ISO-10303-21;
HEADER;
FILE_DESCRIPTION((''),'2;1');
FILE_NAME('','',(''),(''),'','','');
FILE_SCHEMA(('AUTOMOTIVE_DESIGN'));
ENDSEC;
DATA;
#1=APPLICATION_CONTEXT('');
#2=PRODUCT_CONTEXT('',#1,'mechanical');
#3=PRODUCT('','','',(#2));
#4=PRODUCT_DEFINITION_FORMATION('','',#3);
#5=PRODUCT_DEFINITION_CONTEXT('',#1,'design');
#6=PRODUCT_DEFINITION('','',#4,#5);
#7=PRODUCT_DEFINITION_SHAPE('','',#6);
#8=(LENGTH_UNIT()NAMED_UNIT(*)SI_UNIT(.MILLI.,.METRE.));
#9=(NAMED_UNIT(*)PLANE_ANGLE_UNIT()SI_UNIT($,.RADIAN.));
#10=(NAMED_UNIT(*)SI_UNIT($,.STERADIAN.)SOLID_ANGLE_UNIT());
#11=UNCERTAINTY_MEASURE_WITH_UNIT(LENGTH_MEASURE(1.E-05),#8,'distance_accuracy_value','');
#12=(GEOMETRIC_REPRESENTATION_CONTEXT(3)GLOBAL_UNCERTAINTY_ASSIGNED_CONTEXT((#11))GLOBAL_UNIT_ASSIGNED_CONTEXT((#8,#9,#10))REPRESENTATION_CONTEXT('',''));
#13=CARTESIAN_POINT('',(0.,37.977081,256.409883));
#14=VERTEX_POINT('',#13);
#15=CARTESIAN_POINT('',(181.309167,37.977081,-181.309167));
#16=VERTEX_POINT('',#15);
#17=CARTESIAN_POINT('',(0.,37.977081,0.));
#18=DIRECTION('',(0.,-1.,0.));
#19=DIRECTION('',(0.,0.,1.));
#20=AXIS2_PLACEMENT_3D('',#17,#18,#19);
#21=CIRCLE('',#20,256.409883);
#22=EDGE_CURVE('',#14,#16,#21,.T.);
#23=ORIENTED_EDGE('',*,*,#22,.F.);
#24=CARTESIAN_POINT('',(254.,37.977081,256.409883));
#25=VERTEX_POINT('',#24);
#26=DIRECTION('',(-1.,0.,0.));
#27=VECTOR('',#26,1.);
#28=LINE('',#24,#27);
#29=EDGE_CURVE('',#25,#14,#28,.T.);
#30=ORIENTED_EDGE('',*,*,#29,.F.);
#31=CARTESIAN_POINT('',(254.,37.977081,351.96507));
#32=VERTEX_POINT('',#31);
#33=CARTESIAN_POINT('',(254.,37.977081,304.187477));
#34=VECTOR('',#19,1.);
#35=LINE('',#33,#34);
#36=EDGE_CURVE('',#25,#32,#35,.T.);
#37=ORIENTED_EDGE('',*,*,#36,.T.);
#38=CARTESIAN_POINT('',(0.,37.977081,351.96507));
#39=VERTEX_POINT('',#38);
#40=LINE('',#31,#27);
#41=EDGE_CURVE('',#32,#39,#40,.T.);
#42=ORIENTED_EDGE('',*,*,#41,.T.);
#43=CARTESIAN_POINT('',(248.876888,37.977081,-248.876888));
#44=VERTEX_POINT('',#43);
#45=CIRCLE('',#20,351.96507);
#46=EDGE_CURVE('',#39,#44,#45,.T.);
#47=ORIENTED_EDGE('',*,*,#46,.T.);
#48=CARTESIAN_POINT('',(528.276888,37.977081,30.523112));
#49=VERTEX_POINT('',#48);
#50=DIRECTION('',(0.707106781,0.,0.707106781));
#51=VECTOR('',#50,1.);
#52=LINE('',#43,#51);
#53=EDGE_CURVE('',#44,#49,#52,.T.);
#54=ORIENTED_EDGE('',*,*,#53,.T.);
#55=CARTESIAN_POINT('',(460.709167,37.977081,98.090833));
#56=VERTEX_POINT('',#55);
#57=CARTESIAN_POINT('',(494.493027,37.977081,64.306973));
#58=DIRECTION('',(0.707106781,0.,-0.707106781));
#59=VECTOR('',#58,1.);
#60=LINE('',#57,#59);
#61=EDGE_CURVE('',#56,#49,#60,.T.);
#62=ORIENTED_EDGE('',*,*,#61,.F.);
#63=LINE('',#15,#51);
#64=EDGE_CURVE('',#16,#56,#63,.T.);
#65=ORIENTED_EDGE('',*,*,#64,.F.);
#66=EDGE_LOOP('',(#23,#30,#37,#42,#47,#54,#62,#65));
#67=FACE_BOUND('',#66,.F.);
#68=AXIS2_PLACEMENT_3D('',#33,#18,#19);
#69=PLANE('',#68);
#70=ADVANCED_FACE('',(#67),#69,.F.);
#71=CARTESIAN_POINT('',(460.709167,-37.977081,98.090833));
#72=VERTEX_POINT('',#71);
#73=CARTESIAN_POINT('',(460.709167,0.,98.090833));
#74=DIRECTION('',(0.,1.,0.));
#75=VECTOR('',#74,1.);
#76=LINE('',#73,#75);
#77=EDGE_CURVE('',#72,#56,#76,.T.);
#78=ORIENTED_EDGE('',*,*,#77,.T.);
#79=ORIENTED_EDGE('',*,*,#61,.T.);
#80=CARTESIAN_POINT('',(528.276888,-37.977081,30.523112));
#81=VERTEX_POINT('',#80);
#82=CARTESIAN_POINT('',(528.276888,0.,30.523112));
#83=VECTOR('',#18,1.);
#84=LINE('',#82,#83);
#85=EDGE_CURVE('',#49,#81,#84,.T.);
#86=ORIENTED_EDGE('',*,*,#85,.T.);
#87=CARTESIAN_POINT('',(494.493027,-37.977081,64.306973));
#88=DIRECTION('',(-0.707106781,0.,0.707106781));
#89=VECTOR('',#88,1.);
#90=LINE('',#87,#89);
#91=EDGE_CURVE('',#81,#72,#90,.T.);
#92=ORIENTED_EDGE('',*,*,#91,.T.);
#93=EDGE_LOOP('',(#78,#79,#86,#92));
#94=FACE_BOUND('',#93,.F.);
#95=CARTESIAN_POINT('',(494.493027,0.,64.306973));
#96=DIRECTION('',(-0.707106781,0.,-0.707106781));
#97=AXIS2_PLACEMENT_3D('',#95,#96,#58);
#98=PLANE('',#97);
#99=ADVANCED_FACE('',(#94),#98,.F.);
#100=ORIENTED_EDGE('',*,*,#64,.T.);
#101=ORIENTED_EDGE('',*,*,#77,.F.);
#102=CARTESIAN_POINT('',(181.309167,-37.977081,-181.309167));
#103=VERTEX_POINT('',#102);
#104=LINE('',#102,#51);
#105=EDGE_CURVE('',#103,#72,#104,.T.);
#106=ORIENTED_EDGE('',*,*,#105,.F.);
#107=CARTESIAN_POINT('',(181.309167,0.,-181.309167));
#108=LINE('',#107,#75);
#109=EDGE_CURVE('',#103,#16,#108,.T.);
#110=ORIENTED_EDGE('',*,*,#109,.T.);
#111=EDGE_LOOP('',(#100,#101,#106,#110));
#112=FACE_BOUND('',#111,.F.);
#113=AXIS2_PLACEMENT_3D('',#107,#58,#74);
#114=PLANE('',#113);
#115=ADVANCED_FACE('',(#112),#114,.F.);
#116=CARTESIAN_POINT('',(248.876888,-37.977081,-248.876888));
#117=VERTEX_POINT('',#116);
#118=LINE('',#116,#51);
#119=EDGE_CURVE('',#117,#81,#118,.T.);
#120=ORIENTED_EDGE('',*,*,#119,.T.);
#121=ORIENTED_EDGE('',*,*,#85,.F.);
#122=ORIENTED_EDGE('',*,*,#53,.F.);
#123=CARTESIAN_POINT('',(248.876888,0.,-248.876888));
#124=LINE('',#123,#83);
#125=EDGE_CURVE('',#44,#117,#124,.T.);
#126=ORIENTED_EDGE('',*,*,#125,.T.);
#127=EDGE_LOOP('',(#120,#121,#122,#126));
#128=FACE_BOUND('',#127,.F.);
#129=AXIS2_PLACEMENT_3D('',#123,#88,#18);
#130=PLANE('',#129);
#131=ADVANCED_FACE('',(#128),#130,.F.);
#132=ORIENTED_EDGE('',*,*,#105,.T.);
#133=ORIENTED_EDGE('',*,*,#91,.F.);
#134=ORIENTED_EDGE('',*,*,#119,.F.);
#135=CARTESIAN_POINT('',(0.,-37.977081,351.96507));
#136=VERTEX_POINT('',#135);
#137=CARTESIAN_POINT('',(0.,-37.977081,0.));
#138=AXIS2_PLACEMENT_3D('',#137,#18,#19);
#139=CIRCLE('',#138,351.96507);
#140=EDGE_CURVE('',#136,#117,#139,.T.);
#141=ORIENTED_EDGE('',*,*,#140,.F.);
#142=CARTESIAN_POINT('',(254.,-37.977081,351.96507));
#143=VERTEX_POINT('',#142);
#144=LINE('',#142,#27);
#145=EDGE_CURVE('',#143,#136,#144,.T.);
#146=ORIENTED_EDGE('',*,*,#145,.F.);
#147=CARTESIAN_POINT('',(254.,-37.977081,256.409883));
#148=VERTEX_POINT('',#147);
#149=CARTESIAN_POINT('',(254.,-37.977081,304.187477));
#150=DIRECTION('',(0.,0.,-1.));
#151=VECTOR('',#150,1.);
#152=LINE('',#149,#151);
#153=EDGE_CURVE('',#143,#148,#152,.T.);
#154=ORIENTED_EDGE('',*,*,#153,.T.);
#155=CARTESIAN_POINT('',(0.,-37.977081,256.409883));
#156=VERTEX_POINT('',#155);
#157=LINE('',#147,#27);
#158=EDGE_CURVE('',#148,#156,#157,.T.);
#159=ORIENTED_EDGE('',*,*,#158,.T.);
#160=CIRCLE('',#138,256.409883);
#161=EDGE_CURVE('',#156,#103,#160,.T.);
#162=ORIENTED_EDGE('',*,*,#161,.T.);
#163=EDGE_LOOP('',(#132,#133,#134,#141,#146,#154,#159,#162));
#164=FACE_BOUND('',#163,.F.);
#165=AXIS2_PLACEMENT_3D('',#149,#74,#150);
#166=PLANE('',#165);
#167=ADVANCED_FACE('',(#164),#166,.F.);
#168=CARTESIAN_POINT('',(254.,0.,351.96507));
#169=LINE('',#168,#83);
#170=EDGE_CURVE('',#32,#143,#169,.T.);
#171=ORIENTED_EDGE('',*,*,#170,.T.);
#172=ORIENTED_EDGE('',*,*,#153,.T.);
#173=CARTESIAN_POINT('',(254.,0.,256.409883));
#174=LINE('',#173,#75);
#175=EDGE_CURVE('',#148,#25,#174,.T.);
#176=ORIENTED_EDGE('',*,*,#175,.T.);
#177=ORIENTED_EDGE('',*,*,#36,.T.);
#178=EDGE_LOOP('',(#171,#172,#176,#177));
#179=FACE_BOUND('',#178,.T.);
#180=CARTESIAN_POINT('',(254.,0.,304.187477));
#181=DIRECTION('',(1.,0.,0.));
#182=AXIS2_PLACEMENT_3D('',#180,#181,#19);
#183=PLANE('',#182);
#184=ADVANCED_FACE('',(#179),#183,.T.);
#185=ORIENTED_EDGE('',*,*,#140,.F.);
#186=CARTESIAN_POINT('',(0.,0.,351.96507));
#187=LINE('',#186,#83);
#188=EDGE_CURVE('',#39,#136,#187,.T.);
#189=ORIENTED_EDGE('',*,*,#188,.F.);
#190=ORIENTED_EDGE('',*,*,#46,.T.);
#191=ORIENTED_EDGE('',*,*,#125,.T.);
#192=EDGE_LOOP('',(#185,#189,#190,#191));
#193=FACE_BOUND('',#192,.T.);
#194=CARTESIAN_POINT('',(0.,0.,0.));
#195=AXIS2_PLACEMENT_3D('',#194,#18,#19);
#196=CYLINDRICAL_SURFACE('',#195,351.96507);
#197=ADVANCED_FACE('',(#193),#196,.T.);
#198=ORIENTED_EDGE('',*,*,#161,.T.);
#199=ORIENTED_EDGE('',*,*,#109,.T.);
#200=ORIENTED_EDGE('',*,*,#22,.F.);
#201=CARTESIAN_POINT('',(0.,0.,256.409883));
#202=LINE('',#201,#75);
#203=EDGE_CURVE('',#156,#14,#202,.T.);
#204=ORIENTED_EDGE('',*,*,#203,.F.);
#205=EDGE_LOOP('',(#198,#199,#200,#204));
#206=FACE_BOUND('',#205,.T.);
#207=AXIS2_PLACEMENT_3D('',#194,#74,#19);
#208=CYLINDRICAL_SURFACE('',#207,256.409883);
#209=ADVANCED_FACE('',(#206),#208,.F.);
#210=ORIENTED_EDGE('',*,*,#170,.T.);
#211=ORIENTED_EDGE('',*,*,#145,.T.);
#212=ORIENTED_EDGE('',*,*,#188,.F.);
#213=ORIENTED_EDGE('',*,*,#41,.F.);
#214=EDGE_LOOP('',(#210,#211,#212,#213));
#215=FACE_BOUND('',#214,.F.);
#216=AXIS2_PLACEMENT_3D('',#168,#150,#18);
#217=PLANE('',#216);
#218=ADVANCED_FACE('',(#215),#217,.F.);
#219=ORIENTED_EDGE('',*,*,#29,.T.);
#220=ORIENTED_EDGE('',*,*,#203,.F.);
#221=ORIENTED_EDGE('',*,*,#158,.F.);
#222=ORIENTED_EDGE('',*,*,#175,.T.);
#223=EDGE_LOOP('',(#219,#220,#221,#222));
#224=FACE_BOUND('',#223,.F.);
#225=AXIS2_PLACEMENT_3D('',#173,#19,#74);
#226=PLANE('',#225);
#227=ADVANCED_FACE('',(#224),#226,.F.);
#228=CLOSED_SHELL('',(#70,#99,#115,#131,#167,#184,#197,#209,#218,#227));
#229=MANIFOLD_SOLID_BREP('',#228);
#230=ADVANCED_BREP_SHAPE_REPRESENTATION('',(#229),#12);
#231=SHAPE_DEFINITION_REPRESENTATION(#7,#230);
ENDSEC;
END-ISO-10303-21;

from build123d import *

# Parameters (mm, degrees)
F2_W = 75.9541615844
F2_H = 95.5551862717


with BuildPart() as f3:
    # F3: sweep along a path in F0
    with BuildLine(Plane.XZ) as f3_path:
        Line((254, 304.8), (0, 304.8))
        ThreePointArc((0, 304.8), (-281.5984815094, -116.6419101849), (215.5261469057, -215.5261469057))
        Line((215.5261469057, -215.5261469057), (494.9261469057, 63.8738530943))
    # F2 (on line) → F3 (sweep)
    with BuildSketch(Plane.YZ.offset(254)):
        with Locations((0, 304.187476635)):
            Rectangle(F2_W, F2_H)
    sweep(path=f3_path.line)


solid = f3.part
